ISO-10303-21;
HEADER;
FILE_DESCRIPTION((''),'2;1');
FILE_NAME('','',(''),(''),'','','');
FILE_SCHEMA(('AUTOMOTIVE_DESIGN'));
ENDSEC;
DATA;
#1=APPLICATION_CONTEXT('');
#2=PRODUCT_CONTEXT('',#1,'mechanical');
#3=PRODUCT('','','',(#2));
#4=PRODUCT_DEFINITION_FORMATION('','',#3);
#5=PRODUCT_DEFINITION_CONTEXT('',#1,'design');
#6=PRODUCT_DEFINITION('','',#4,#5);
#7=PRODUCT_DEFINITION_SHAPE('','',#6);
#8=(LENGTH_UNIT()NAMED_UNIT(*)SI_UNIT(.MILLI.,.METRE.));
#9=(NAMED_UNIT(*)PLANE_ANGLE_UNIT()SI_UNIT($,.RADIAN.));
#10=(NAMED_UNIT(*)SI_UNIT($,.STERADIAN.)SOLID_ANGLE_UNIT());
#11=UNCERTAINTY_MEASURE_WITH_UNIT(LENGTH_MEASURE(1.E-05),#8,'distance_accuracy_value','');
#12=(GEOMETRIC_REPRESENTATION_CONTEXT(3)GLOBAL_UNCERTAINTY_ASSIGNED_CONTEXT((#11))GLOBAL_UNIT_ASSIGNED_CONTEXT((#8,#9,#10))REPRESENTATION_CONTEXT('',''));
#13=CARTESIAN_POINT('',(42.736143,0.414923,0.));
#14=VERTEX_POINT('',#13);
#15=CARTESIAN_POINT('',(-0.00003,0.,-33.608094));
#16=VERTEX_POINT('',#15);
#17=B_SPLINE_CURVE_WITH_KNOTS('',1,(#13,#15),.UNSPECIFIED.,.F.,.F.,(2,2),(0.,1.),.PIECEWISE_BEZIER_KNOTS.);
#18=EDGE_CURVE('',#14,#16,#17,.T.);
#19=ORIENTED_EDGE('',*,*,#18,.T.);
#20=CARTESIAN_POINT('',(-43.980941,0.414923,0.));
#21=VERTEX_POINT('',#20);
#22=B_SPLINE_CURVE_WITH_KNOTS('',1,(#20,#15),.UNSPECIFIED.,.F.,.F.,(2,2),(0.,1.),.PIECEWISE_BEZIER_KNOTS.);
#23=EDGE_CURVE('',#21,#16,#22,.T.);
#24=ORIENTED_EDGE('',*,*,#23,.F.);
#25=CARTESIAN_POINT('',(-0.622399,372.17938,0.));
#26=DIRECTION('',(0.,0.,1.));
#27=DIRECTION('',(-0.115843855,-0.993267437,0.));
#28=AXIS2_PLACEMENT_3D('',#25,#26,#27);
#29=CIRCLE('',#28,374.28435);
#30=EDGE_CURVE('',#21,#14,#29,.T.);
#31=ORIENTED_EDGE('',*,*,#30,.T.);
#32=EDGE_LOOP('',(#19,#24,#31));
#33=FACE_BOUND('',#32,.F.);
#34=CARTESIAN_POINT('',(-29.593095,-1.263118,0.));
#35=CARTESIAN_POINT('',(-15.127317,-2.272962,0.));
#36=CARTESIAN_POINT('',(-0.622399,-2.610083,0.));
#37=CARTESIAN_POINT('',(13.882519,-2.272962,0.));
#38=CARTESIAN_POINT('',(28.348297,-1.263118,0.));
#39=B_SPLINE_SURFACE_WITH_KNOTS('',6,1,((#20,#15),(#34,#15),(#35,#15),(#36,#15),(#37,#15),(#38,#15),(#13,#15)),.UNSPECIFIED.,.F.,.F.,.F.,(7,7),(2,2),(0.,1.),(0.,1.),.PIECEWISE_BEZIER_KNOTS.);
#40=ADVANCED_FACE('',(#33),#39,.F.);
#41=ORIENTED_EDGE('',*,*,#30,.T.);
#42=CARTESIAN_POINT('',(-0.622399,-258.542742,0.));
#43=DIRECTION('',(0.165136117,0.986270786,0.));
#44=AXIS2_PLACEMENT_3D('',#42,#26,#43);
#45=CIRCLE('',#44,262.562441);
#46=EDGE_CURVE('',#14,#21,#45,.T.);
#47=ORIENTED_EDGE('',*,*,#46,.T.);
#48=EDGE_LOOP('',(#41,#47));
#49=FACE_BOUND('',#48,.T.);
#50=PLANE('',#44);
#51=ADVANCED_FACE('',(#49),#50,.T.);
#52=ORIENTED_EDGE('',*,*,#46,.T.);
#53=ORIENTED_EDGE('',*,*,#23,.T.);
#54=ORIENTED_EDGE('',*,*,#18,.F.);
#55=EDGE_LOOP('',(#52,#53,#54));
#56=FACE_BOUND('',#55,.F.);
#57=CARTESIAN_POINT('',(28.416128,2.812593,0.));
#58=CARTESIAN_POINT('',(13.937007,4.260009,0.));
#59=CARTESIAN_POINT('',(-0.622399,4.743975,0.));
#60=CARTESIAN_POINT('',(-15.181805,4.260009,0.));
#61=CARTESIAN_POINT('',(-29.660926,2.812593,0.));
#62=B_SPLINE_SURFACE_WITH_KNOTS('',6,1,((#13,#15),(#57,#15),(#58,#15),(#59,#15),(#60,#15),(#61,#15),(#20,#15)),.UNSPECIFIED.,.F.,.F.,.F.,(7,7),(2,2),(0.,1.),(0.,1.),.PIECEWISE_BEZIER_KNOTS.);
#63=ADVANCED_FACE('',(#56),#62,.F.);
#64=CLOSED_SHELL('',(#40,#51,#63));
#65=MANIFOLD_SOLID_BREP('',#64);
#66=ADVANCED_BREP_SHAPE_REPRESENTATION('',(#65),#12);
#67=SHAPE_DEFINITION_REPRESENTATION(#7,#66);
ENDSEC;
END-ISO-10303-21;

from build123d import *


with BuildPart() as f2:
    # F0 (on Top) → F2 section 0
    with BuildSketch(Plane.XY, mode=Mode.PRIVATE) as f2_s0:
        with BuildLine():
            ThreePointArc((42.736143, 0.414923), (-0.622399, 4.019699), (-43.980941, 0.414923))
            ThreePointArc((-43.980941, 0.414923), (-0.622399, -2.10497), (42.736143, 0.414923))
        make_face()
    loft([f2_s0.sketch, Vertex(-3e-05, 0, -33.608094)])


solid = f2.part
